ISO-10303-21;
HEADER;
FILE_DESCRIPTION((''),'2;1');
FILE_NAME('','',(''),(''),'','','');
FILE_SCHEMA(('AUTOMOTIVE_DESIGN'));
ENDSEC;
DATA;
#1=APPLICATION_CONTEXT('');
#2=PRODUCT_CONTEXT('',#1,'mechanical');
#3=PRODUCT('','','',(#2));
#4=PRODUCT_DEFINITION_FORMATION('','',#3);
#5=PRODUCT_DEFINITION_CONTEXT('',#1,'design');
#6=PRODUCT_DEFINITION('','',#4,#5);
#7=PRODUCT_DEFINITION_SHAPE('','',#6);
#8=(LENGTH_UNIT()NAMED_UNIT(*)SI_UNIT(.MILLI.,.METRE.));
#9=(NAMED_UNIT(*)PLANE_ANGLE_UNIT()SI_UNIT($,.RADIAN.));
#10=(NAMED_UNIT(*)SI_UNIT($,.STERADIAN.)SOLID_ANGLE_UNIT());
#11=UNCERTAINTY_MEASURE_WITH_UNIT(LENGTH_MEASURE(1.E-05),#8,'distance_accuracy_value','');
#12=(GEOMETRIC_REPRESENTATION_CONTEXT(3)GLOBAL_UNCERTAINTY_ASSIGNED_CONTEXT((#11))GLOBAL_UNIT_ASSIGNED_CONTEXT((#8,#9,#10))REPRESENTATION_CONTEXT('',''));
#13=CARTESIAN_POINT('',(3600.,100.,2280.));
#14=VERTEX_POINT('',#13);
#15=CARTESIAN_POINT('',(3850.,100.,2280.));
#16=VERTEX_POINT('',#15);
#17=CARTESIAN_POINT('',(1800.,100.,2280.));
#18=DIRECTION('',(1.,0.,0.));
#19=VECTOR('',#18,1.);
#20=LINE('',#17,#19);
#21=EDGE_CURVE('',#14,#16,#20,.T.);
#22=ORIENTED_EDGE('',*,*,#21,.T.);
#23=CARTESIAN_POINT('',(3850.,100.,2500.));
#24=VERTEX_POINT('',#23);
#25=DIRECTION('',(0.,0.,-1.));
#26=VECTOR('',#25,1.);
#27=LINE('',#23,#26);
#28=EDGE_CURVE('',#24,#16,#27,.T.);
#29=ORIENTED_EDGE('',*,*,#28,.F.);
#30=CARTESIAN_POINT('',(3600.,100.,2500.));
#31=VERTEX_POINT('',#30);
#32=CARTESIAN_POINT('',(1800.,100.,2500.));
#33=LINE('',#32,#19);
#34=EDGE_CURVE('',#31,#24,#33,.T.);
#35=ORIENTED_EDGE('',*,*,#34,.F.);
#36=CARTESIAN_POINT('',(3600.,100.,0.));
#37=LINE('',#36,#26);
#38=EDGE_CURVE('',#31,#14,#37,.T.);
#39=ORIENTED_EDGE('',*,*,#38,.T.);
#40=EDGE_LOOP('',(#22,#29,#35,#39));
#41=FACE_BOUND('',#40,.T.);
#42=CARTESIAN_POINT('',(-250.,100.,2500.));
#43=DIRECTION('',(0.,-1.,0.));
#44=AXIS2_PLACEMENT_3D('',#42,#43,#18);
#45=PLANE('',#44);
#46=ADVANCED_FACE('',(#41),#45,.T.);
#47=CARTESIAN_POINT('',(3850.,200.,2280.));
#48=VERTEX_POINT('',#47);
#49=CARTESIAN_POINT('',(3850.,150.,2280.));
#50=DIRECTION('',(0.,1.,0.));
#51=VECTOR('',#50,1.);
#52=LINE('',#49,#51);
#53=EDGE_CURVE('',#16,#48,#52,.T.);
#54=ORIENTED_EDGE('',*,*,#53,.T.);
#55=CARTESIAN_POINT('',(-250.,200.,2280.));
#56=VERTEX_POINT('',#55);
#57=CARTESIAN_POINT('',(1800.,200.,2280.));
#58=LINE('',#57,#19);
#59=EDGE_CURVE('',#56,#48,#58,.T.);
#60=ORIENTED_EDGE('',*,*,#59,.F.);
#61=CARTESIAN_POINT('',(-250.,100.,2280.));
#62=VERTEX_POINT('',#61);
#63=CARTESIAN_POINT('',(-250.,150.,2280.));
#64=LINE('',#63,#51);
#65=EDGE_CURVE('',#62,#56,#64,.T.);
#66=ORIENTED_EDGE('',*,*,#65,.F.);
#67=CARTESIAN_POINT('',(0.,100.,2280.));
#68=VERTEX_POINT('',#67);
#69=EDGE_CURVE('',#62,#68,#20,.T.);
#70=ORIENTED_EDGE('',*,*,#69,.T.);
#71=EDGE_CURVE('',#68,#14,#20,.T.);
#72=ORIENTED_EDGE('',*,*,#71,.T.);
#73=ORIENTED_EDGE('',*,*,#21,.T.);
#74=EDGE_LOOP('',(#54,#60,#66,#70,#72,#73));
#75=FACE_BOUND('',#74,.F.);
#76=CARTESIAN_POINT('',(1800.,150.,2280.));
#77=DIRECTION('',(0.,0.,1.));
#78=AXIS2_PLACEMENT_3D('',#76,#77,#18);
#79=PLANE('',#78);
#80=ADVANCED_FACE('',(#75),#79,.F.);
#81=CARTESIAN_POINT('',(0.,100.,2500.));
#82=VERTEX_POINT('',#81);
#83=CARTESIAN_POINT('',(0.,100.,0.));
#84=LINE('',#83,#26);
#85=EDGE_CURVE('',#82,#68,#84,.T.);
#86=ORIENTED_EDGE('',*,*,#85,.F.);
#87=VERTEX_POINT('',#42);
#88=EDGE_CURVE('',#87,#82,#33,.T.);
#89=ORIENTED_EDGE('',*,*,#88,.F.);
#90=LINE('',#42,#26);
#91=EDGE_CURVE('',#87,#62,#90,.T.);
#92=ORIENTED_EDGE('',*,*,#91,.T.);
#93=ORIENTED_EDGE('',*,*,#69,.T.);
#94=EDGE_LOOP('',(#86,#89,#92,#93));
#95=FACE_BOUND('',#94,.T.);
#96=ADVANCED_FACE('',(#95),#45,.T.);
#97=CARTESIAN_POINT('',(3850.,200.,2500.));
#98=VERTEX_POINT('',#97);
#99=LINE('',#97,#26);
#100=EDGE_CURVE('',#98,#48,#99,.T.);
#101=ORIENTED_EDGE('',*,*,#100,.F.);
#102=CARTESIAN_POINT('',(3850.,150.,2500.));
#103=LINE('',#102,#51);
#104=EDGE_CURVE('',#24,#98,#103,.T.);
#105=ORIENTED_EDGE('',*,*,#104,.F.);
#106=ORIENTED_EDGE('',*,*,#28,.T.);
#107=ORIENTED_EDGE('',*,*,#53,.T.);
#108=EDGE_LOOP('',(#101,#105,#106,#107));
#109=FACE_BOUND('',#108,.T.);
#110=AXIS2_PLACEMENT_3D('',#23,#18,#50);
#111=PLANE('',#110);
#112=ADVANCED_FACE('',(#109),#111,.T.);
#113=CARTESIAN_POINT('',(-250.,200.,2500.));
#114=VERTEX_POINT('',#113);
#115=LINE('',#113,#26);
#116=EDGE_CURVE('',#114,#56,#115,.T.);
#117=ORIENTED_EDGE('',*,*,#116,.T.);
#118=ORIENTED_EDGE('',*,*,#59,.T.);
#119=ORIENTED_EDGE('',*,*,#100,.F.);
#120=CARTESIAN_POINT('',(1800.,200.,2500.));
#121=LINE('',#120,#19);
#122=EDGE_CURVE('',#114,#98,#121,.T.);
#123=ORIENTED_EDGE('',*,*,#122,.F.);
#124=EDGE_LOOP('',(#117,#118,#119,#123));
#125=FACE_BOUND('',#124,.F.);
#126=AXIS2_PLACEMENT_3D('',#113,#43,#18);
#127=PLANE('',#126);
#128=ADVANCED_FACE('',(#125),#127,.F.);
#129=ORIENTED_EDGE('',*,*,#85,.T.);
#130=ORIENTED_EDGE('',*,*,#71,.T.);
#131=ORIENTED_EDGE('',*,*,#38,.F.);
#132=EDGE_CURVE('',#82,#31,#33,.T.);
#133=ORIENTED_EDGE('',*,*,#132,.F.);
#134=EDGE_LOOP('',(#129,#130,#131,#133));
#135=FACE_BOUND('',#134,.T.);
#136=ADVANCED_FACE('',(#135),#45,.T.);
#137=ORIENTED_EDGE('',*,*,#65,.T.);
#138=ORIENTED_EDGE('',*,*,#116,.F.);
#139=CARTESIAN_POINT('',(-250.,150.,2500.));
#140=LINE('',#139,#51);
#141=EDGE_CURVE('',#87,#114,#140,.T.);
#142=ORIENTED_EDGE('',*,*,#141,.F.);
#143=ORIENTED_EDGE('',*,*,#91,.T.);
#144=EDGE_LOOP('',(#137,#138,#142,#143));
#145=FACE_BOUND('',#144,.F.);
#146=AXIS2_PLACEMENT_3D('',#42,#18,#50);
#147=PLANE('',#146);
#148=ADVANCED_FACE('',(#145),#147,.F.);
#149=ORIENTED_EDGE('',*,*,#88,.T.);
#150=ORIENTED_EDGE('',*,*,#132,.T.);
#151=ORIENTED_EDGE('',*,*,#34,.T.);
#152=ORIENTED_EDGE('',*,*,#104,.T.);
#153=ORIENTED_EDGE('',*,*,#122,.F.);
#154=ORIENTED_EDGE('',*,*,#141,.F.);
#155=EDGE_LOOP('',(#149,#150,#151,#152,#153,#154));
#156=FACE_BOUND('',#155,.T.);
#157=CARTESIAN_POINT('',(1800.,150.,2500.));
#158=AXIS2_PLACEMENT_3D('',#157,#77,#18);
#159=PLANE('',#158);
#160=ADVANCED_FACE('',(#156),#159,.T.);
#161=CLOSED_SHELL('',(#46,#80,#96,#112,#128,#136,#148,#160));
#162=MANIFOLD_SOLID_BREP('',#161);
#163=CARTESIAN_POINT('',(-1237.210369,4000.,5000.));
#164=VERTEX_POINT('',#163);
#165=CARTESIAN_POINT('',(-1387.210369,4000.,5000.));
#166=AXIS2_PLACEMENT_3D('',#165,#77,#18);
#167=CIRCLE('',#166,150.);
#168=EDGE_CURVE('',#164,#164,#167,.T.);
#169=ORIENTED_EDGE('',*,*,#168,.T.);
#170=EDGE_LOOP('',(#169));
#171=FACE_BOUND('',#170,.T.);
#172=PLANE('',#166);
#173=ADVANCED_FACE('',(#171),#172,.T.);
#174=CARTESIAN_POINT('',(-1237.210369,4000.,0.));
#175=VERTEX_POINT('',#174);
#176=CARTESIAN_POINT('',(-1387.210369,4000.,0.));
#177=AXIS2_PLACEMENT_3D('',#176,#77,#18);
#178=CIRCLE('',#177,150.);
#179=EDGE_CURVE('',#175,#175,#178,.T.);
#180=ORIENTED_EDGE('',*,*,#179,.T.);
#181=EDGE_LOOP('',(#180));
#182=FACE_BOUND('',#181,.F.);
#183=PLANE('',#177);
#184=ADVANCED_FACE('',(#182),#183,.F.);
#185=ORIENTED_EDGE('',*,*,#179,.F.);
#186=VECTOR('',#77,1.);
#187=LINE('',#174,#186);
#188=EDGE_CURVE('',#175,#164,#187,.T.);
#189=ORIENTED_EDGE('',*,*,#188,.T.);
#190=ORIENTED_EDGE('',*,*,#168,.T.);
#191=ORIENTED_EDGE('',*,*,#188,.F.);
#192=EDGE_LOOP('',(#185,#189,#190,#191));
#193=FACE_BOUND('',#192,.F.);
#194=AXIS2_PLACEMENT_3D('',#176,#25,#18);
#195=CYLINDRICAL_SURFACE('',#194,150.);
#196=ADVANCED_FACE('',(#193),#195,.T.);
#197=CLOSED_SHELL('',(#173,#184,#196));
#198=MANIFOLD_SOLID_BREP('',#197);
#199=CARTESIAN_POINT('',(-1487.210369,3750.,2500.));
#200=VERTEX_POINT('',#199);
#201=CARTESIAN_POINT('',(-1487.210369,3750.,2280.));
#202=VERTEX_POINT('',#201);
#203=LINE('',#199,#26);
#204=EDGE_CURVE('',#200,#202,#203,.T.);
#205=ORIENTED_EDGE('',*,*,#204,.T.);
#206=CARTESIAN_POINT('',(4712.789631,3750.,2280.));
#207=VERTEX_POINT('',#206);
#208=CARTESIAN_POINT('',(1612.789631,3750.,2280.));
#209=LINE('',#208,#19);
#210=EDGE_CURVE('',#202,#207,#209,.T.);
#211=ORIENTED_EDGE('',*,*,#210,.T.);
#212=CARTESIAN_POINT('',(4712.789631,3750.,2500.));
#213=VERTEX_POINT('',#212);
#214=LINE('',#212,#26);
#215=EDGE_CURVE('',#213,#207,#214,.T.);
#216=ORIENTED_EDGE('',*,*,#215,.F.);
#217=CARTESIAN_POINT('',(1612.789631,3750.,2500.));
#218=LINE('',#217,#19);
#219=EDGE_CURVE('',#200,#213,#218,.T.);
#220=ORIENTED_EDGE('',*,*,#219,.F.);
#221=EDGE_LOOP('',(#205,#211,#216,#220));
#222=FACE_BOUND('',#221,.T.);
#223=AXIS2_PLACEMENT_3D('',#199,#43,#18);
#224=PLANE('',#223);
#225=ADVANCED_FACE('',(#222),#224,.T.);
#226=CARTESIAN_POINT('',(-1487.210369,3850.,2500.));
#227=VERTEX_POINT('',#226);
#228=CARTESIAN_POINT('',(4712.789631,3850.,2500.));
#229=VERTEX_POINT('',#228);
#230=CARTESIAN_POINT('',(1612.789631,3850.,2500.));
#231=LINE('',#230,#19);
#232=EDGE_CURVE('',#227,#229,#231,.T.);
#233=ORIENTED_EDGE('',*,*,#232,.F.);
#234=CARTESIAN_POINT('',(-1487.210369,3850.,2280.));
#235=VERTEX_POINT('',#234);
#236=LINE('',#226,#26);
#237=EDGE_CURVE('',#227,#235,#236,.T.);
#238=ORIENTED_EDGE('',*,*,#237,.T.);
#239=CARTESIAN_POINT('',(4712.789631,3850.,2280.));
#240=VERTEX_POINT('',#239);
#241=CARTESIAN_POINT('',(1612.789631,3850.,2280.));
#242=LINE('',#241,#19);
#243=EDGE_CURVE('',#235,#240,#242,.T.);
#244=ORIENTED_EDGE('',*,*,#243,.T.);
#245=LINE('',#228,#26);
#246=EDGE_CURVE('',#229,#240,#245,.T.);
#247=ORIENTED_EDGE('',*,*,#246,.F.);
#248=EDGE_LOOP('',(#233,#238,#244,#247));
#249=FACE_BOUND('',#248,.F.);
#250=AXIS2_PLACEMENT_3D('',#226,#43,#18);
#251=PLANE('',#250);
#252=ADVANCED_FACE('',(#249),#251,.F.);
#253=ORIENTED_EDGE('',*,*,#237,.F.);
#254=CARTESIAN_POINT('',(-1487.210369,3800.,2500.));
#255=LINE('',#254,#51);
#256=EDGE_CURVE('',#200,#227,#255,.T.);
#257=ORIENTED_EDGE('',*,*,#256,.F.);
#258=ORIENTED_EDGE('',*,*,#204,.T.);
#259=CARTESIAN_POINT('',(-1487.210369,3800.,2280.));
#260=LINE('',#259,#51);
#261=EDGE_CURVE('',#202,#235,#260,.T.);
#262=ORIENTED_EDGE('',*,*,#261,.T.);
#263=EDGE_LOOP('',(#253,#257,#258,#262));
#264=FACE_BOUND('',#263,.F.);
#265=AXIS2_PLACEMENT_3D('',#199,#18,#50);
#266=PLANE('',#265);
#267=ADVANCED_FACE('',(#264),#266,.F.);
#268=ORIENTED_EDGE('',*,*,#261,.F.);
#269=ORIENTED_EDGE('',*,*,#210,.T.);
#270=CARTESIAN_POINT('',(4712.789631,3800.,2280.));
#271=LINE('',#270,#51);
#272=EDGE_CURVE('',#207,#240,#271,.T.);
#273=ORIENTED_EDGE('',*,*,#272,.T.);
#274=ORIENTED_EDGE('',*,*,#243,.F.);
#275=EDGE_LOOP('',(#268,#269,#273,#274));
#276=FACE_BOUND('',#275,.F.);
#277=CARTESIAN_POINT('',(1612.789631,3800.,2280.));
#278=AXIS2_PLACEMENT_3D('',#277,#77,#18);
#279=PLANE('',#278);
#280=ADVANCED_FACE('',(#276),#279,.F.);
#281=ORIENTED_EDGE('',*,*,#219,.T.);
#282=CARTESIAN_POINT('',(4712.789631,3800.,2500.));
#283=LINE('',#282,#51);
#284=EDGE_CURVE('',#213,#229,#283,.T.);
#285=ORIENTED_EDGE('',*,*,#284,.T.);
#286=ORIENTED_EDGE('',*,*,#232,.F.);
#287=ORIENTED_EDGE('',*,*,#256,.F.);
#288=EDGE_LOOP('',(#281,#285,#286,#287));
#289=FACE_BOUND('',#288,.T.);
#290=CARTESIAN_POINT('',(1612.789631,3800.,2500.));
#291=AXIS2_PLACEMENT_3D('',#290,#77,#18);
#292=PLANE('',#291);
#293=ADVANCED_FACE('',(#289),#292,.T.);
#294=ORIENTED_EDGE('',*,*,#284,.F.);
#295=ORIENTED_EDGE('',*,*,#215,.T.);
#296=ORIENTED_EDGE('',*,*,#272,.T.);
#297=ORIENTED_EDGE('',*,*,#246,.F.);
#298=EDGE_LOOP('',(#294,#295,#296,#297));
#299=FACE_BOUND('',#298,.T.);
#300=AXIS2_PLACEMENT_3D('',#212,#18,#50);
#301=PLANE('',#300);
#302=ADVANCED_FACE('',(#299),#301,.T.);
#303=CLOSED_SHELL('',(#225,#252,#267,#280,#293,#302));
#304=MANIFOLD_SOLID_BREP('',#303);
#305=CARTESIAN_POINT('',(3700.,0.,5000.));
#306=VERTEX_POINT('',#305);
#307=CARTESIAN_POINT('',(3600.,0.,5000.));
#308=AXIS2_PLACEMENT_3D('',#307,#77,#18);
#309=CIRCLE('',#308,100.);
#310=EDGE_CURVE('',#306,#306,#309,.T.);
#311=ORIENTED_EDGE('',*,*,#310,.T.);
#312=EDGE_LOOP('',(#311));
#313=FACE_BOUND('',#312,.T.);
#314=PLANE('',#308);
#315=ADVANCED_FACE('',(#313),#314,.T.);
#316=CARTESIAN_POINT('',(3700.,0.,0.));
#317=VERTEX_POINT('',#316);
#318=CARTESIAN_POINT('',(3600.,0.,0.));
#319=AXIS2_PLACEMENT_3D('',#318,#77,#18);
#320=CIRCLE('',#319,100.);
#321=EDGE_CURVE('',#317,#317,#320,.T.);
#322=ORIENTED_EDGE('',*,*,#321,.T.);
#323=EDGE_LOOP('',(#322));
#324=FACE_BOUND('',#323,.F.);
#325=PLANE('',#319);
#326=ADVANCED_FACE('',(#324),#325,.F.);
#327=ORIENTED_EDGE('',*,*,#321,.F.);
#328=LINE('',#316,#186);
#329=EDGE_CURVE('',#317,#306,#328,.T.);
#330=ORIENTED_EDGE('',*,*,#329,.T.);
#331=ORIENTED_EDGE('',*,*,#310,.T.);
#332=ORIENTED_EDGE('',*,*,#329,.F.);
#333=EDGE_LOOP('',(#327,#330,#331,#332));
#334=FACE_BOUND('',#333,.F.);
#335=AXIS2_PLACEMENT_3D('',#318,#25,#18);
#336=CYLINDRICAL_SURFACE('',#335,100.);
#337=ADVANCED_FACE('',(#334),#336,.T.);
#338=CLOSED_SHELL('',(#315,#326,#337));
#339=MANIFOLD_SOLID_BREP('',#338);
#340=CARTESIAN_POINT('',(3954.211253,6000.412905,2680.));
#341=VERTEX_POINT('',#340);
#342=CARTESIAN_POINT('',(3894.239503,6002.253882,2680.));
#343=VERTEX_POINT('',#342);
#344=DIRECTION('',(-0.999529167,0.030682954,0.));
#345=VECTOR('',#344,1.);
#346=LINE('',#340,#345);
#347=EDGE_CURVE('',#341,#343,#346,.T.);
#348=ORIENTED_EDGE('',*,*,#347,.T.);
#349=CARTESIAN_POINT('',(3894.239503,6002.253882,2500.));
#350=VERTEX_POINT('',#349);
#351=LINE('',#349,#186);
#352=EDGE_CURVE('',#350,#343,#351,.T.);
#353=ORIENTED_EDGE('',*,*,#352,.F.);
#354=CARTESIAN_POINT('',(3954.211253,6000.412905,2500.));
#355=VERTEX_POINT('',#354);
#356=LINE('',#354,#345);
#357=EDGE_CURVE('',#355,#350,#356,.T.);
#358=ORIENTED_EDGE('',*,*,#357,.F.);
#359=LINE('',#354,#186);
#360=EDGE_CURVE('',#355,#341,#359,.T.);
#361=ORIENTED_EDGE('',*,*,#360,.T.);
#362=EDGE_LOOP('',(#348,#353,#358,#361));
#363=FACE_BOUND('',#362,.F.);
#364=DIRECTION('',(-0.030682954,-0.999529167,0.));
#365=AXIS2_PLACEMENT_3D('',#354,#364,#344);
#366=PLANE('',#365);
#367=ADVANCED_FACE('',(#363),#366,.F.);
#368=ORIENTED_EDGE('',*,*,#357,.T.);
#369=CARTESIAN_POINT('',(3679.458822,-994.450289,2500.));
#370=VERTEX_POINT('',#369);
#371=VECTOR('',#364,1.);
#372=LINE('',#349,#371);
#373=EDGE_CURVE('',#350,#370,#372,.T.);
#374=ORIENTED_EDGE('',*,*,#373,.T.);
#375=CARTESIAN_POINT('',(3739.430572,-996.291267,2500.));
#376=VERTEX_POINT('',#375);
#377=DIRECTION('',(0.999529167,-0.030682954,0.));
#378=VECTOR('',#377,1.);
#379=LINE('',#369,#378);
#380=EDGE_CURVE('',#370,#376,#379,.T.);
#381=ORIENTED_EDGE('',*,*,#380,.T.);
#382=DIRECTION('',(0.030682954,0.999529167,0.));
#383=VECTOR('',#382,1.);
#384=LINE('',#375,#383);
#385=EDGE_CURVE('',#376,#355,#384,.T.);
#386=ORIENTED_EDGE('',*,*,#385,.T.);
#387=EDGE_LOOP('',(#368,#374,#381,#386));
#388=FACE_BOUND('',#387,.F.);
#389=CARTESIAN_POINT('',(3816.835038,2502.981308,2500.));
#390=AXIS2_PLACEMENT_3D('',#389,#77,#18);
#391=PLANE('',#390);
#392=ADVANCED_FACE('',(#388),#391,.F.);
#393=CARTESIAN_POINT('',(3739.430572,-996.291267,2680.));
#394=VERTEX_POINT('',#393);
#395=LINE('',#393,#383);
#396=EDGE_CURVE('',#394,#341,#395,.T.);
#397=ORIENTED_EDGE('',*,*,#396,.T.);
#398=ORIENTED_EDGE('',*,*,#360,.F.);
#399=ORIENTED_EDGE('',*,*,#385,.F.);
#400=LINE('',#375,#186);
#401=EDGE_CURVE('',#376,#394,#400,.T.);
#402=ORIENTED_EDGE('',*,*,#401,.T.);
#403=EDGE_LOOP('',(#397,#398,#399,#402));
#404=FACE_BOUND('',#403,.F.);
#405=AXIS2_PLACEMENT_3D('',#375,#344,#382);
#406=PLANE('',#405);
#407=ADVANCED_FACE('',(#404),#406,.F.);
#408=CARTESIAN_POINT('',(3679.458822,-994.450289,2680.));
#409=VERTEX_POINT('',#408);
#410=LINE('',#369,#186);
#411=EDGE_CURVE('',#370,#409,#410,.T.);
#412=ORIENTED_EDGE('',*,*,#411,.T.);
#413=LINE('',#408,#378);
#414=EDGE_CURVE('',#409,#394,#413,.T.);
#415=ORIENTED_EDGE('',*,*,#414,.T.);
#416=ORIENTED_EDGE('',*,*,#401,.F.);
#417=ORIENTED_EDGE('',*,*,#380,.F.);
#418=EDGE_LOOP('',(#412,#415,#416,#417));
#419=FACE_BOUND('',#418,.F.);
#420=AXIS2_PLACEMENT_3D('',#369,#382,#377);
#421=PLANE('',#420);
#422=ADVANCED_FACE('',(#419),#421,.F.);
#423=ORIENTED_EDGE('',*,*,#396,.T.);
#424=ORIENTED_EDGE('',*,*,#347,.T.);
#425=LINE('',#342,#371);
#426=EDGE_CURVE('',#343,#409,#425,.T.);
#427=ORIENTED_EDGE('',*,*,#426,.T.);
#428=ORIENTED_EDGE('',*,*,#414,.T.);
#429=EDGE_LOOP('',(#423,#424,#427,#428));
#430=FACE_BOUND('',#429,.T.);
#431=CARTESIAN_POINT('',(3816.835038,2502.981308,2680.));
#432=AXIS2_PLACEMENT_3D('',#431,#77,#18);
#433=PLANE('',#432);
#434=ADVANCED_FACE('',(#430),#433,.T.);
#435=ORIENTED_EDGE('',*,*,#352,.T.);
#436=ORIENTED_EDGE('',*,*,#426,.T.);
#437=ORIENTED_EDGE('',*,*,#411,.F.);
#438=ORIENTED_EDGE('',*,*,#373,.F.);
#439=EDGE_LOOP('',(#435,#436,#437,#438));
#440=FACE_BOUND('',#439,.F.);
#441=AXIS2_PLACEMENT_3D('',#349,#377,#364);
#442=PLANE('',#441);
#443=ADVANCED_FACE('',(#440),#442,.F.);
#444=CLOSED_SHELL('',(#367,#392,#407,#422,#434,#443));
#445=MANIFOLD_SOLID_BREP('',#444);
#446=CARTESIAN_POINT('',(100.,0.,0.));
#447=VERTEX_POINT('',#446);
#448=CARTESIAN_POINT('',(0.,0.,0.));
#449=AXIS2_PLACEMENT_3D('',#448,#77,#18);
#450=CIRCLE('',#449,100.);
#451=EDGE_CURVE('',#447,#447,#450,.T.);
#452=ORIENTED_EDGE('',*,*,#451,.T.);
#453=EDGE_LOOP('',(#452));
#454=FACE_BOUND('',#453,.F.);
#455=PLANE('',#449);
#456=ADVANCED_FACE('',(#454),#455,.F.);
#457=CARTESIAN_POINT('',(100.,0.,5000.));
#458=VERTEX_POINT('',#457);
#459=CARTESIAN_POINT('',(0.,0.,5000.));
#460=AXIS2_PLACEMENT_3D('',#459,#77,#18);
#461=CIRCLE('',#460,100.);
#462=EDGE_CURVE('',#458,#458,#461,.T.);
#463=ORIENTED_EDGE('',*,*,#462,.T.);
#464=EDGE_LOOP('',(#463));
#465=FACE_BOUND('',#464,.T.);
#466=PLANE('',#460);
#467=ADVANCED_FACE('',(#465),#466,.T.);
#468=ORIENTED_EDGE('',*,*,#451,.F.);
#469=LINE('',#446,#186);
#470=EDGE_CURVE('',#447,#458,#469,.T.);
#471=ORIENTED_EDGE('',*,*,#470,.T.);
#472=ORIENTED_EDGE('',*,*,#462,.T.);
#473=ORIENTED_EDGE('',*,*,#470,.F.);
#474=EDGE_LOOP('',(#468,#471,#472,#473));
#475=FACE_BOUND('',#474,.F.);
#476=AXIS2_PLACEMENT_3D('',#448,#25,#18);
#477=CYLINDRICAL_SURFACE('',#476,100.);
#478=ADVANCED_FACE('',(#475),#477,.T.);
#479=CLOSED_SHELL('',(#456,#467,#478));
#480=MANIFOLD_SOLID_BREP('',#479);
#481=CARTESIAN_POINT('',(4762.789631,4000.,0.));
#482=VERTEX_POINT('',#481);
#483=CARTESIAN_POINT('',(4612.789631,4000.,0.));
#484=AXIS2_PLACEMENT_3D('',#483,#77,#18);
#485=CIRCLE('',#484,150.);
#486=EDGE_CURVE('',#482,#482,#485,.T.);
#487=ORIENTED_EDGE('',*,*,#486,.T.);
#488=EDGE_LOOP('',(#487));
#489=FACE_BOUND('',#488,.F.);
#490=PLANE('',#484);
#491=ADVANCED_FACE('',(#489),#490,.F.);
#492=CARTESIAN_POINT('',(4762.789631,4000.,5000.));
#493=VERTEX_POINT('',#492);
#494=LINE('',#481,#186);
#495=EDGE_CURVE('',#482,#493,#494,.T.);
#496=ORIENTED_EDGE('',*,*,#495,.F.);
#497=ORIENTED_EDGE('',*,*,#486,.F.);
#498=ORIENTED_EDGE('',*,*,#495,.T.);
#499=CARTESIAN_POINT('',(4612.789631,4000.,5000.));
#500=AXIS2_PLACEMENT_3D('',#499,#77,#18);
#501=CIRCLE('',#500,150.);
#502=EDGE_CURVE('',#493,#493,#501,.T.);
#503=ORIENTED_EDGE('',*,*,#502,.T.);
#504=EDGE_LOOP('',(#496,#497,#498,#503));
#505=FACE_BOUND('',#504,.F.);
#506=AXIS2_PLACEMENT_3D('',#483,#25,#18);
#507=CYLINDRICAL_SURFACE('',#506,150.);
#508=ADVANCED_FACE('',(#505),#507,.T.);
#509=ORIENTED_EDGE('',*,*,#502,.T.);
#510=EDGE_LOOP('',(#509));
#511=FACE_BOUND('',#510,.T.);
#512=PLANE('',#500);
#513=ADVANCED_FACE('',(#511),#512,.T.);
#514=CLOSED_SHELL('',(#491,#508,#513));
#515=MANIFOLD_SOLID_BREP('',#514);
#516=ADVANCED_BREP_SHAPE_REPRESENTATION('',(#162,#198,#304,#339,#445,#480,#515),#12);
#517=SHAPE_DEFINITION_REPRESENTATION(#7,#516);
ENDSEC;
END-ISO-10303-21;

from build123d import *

# Parameters (mm, degrees)
F0_R     = 100
F1_DEPTH = 5000
F0_R_2   = 150
F4_W     = 4100
F4_H     = 100
F5_DEPTH = 220
F6_W     = 6200
F6_H     = 100
F7_DEPTH = 220
F9_DEPTH = 180


with BuildPart() as f1:
    # F0 (on Top) → F1 (new body)
    with BuildSketch(Plane.XY):
        Circle(F0_R)
    extrude(amount=F1_DEPTH)



with BuildPart() as f1b:
    # F0 (on Top) → F1, piece 2 (new body)
    with BuildSketch(Plane.XY):
        with Locations((-1387.2103691101, 4000)):
            Circle(F0_R_2)
    extrude(amount=F1_DEPTH)


with BuildPart() as f1c:
    # F0 (on Top) → F1, piece 3 (new body)
    with BuildSketch(Plane.XY):
        with Locations((4612.7896308899, 4000)):
            Circle(F0_R_2)
    extrude(amount=F1_DEPTH)


with BuildPart() as f1d:
    # F0 (on Top) → F1, piece 4 (new body)
    with BuildSketch(Plane.XY):
        with Locations((3600, 0)):
            Circle(F0_R)
    extrude(amount=F1_DEPTH)


with BuildPart() as f1_1:
    add(f1.part)

    add(f1d.part)  # F5 merges F1d
    # F4 (on mid) → F5 (join)
    with BuildSketch(Plane.XY.offset(2500)):
        with Locations((1800, 150)):
            Rectangle(F4_W, F4_H)
    extrude(amount=-F5_DEPTH)


with BuildPart() as f7:
    # F6 (on mid) → F7 (new body, through all)
    with BuildSketch(Plane.XY.offset(2500)):
        with Locations((1612.7896308899, 3800)):
            Rectangle(F6_W, F6_H)
    extrude(amount=-F7_DEPTH)


with BuildPart() as f9:
    # F8 (on mid) → F9 (new body)
    with BuildSketch(Plane.XY.offset(2500)):
        Polygon((3894.239503031, 6002.2538818607), (3679.4588223743, -994.4502893342), (3739.4305724132, -996.291266597), (3954.2112530699, 6000.4129045979), align=None)
    extrude(amount=F9_DEPTH)


solid = Compound([f1b.part, f1c.part, f1_1.part, f7.part, f9.part])
